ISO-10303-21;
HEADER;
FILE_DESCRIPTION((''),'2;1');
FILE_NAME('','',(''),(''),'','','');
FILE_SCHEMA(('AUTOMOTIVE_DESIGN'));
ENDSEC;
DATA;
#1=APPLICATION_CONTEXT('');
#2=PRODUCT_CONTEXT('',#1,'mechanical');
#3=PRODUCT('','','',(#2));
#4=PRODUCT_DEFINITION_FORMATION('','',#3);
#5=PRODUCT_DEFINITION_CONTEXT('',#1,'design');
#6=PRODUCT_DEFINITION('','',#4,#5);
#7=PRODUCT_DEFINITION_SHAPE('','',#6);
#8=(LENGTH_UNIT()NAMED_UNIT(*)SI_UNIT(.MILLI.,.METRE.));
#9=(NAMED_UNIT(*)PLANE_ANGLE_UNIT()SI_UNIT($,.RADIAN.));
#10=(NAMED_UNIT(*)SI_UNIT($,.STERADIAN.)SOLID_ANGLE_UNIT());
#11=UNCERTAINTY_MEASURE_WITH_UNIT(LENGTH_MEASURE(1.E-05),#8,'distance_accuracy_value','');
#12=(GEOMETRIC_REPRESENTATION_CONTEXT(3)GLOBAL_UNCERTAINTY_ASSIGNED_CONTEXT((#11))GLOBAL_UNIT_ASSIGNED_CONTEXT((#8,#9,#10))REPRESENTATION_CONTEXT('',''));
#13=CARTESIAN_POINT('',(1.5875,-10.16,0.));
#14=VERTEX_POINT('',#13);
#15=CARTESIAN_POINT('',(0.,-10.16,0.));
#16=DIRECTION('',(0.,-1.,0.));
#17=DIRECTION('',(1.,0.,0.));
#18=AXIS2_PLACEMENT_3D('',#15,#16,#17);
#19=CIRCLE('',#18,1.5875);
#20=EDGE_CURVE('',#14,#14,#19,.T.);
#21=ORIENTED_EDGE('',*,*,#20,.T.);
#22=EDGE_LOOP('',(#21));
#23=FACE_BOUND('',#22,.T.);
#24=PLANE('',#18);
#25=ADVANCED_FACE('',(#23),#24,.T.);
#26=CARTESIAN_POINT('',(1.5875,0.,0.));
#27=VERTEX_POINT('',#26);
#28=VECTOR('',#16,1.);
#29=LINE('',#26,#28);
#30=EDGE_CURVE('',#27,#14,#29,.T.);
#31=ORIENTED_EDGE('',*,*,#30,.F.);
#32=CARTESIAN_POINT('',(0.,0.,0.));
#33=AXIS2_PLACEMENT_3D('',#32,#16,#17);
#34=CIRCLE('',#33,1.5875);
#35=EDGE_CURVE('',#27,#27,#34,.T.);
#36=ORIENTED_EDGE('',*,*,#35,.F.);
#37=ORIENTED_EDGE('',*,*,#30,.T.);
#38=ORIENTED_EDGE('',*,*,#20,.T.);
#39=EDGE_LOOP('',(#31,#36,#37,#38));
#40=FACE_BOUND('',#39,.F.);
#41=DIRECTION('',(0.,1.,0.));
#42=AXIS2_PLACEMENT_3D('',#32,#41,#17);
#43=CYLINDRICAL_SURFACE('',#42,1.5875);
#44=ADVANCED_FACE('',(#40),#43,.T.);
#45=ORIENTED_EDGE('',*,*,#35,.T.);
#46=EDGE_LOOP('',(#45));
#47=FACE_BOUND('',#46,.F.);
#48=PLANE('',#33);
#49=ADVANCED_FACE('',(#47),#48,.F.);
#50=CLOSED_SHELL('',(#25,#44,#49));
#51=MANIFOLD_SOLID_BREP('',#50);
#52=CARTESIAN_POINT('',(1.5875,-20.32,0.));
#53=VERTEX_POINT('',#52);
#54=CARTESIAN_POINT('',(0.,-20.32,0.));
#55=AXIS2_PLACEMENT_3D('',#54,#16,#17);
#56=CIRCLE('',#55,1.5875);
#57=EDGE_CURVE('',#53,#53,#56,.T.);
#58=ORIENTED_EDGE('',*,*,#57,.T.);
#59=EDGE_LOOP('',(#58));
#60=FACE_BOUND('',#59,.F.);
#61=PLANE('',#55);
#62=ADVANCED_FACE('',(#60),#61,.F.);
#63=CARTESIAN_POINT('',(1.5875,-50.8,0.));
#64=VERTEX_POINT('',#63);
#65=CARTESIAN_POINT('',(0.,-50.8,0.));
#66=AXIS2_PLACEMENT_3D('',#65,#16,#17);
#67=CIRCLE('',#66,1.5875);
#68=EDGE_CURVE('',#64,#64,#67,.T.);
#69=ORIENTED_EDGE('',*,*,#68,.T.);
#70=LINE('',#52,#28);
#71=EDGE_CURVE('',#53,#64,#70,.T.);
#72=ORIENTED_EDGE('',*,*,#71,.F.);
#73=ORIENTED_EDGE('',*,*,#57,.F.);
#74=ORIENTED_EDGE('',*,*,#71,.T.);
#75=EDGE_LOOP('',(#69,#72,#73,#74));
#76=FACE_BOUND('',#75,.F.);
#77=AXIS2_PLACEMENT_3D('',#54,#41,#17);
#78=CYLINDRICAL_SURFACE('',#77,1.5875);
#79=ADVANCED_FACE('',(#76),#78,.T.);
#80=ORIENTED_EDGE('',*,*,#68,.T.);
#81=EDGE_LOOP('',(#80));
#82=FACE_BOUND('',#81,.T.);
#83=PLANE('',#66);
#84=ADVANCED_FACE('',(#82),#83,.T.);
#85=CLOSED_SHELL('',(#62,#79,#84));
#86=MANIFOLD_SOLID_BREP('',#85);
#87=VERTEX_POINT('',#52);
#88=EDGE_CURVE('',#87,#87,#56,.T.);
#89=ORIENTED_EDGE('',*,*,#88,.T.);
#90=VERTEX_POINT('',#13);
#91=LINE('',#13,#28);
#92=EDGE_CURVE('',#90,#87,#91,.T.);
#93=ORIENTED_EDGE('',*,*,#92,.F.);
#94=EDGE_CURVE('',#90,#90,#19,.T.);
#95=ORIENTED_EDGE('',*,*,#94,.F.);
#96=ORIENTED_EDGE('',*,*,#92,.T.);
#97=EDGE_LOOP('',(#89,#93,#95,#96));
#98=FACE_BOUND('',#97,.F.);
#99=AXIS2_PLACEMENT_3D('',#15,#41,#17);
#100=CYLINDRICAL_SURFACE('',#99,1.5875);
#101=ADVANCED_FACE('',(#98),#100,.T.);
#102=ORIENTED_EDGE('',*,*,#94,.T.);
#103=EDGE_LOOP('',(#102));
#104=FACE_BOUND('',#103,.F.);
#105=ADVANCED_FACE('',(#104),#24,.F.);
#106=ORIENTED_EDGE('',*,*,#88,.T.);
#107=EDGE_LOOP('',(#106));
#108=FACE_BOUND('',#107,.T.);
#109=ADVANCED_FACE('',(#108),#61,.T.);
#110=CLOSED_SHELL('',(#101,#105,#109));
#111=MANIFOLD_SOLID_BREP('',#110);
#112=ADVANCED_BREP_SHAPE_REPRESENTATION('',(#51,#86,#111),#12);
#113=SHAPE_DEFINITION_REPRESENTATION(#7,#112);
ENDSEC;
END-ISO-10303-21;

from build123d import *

# Parameters (mm, degrees)
F0_R      = 1.5875
F1_DEPTH  = 10.16
F1_FACE_R = 1.5875
F2_DEPTH  = 10.16
F3_R      = 1.5875
F4_DEPTH  = 30.48


with BuildPart() as f1:
    # F0 (on Front) → F1 (new body)
    with BuildSketch(Plane.XZ):
        Circle(F0_R)
    extrude(amount=F1_DEPTH)


with BuildPart() as f2:
    # F1_face (on face) → F2 (new body)
    with BuildSketch(Plane.XZ.offset(10.16)):
        Circle(F1_FACE_R)
    extrude(amount=F2_DEPTH)


with BuildPart() as f4:
    # F3 (on face) → F4 (new body)
    with BuildSketch(Plane.XZ.offset(20.32)):
        Circle(F3_R)
    extrude(amount=F4_DEPTH)


solid = Compound([f1.part, f2.part, f4.part])
